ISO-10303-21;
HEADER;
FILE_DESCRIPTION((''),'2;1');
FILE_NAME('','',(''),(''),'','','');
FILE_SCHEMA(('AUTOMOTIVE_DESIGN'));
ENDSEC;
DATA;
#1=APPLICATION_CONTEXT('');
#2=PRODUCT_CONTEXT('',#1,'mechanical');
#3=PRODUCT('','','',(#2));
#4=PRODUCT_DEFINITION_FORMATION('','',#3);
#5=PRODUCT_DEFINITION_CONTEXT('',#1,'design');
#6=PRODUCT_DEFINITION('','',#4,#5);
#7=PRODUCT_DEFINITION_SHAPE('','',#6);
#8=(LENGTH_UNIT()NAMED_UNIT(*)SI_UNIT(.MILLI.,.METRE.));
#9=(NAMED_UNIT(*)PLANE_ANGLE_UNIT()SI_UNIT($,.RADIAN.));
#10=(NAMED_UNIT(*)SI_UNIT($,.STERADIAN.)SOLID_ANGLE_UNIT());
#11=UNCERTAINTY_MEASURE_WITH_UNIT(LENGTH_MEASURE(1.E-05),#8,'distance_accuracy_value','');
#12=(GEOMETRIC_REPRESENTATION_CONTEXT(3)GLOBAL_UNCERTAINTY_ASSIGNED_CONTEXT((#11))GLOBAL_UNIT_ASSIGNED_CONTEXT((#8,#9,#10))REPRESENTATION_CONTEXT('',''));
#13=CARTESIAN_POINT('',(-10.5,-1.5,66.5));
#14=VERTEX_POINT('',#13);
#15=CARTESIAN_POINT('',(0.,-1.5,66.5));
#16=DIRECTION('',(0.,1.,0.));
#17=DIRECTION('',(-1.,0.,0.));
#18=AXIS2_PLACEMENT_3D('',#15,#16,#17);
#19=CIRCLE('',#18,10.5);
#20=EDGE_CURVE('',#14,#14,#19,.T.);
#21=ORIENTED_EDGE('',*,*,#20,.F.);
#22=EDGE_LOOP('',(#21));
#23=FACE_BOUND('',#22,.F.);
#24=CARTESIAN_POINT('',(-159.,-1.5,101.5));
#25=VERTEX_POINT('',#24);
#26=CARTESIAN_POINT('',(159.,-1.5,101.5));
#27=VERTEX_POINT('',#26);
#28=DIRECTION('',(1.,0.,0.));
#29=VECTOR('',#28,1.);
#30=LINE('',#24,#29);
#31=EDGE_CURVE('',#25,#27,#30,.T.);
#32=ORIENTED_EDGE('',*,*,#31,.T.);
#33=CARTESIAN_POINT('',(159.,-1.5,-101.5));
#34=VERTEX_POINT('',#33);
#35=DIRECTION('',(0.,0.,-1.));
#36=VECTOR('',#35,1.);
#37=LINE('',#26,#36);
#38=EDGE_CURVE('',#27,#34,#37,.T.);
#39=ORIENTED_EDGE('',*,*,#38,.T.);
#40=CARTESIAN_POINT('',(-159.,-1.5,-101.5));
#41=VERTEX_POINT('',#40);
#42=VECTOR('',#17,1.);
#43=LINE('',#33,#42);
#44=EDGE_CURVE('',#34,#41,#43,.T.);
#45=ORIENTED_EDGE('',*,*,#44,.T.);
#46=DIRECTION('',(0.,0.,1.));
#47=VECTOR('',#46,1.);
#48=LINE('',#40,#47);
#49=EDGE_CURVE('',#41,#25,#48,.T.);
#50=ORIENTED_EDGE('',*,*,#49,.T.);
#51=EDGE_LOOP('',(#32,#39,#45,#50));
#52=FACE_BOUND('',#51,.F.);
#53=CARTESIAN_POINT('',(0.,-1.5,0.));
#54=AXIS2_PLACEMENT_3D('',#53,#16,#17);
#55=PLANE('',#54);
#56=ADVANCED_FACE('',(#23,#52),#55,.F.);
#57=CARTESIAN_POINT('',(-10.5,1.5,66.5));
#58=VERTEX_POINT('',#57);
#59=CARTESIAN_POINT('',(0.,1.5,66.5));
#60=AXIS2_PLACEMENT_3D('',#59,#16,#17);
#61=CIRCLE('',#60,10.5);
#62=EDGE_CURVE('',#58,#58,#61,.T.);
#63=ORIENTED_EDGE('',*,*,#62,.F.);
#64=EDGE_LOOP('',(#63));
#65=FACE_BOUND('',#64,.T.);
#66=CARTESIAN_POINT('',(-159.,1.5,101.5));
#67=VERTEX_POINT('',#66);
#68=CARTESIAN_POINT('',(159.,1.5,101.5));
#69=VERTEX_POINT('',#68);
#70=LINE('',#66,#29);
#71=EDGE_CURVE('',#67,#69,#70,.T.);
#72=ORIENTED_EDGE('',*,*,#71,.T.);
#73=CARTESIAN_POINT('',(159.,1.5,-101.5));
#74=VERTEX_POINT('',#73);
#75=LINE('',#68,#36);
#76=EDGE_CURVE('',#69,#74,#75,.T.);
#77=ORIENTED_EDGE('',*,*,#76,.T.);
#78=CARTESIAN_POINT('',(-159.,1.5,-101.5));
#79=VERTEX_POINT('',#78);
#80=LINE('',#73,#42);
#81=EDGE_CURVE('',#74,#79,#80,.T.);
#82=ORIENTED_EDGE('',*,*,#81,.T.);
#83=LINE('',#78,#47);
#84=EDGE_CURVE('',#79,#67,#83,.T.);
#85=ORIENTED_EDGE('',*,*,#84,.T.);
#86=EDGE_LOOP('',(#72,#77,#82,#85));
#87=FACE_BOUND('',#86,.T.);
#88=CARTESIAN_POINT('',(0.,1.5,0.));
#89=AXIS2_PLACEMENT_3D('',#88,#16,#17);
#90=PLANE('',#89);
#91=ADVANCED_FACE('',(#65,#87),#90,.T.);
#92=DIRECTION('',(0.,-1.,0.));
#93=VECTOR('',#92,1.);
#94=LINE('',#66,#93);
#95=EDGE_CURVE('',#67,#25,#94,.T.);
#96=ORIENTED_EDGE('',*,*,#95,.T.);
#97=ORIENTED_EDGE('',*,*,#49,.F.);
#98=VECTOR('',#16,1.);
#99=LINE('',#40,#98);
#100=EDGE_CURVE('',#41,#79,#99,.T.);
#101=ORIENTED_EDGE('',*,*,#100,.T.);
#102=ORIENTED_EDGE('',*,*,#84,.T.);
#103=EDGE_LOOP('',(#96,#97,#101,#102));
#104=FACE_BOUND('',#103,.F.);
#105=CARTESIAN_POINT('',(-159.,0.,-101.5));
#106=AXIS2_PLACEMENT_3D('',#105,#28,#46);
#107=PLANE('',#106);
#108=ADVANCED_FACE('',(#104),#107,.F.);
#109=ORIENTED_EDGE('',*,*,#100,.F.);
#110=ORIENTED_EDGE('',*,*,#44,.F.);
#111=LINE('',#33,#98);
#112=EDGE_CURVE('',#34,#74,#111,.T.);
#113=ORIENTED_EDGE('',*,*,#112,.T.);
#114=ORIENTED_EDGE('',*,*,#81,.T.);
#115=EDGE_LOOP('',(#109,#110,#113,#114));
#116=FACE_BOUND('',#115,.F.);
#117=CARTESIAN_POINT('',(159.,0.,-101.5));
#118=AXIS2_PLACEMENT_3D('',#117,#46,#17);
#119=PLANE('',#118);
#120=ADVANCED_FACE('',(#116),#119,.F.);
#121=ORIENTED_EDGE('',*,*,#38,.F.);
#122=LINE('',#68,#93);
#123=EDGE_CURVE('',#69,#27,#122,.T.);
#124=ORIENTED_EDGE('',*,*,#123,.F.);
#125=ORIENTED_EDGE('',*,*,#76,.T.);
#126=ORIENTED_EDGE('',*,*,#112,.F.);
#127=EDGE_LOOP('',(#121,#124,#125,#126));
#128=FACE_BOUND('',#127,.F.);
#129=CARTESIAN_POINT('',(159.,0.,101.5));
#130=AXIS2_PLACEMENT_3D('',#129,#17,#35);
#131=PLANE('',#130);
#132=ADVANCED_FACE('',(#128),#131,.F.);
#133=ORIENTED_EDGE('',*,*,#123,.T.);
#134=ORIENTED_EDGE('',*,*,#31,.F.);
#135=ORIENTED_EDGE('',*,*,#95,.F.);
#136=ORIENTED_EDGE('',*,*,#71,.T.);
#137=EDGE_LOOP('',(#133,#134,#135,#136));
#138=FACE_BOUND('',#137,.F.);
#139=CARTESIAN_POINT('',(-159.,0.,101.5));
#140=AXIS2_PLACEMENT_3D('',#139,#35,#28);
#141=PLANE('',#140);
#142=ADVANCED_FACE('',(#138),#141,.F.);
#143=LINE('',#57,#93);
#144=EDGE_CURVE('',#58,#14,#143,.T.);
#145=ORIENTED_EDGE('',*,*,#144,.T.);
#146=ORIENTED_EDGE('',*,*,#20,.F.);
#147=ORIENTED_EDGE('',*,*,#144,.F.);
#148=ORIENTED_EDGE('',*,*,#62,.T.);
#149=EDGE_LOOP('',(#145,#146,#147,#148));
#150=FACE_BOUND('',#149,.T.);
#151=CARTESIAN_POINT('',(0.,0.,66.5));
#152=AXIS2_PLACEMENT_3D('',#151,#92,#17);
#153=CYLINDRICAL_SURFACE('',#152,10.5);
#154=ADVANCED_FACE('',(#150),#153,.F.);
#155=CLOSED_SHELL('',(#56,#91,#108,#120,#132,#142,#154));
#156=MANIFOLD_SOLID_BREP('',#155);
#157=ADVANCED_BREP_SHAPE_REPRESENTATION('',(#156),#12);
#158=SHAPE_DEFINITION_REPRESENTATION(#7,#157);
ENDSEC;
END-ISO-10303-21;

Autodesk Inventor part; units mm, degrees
ref_plane "YZ Plane" through (0, 0, 0) normal (1, 0, 0) x (0, 1, 0)
ref_plane "XZ Plane" through (0, 0, 0) normal (0, 1, 0) x (-1, 0, 0)
ref_plane "XY Plane" through (0, 0, 0) normal (0, 0, 1) x (1, 0, 0)
sketch "Szkic1" plane through (0, 0, 0) normal (0, 1, 0) x (-1, 0, 0)
  line L0 (-159, -101.5) -> (159, -101.5)
  line L1 (159, -101.5) -> (159, 101.5)
  line L2 (159, 101.5) -> (-159, 101.5)
  line L3 (-159, 101.5) -> (-159, -101.5)
  line L4 (-159, -101.5) -> (159, 101.5) construction
  line L5 (159, -101.5) -> (-159, 101.5) construction
  circle A0 centre (0, 66.5) radius 10.5
  point P0 (0, 0)
  dimension "d0" = 318
  dimension "d1" = 203
  dimension "d2" = 21
  dimension "d3" = 35
  dimension "d4" = 159
extrude "Wyciągnięcie proste1" add sketch "Szkic1" along normal mid plane 3
properties part number "scina_prawa"
